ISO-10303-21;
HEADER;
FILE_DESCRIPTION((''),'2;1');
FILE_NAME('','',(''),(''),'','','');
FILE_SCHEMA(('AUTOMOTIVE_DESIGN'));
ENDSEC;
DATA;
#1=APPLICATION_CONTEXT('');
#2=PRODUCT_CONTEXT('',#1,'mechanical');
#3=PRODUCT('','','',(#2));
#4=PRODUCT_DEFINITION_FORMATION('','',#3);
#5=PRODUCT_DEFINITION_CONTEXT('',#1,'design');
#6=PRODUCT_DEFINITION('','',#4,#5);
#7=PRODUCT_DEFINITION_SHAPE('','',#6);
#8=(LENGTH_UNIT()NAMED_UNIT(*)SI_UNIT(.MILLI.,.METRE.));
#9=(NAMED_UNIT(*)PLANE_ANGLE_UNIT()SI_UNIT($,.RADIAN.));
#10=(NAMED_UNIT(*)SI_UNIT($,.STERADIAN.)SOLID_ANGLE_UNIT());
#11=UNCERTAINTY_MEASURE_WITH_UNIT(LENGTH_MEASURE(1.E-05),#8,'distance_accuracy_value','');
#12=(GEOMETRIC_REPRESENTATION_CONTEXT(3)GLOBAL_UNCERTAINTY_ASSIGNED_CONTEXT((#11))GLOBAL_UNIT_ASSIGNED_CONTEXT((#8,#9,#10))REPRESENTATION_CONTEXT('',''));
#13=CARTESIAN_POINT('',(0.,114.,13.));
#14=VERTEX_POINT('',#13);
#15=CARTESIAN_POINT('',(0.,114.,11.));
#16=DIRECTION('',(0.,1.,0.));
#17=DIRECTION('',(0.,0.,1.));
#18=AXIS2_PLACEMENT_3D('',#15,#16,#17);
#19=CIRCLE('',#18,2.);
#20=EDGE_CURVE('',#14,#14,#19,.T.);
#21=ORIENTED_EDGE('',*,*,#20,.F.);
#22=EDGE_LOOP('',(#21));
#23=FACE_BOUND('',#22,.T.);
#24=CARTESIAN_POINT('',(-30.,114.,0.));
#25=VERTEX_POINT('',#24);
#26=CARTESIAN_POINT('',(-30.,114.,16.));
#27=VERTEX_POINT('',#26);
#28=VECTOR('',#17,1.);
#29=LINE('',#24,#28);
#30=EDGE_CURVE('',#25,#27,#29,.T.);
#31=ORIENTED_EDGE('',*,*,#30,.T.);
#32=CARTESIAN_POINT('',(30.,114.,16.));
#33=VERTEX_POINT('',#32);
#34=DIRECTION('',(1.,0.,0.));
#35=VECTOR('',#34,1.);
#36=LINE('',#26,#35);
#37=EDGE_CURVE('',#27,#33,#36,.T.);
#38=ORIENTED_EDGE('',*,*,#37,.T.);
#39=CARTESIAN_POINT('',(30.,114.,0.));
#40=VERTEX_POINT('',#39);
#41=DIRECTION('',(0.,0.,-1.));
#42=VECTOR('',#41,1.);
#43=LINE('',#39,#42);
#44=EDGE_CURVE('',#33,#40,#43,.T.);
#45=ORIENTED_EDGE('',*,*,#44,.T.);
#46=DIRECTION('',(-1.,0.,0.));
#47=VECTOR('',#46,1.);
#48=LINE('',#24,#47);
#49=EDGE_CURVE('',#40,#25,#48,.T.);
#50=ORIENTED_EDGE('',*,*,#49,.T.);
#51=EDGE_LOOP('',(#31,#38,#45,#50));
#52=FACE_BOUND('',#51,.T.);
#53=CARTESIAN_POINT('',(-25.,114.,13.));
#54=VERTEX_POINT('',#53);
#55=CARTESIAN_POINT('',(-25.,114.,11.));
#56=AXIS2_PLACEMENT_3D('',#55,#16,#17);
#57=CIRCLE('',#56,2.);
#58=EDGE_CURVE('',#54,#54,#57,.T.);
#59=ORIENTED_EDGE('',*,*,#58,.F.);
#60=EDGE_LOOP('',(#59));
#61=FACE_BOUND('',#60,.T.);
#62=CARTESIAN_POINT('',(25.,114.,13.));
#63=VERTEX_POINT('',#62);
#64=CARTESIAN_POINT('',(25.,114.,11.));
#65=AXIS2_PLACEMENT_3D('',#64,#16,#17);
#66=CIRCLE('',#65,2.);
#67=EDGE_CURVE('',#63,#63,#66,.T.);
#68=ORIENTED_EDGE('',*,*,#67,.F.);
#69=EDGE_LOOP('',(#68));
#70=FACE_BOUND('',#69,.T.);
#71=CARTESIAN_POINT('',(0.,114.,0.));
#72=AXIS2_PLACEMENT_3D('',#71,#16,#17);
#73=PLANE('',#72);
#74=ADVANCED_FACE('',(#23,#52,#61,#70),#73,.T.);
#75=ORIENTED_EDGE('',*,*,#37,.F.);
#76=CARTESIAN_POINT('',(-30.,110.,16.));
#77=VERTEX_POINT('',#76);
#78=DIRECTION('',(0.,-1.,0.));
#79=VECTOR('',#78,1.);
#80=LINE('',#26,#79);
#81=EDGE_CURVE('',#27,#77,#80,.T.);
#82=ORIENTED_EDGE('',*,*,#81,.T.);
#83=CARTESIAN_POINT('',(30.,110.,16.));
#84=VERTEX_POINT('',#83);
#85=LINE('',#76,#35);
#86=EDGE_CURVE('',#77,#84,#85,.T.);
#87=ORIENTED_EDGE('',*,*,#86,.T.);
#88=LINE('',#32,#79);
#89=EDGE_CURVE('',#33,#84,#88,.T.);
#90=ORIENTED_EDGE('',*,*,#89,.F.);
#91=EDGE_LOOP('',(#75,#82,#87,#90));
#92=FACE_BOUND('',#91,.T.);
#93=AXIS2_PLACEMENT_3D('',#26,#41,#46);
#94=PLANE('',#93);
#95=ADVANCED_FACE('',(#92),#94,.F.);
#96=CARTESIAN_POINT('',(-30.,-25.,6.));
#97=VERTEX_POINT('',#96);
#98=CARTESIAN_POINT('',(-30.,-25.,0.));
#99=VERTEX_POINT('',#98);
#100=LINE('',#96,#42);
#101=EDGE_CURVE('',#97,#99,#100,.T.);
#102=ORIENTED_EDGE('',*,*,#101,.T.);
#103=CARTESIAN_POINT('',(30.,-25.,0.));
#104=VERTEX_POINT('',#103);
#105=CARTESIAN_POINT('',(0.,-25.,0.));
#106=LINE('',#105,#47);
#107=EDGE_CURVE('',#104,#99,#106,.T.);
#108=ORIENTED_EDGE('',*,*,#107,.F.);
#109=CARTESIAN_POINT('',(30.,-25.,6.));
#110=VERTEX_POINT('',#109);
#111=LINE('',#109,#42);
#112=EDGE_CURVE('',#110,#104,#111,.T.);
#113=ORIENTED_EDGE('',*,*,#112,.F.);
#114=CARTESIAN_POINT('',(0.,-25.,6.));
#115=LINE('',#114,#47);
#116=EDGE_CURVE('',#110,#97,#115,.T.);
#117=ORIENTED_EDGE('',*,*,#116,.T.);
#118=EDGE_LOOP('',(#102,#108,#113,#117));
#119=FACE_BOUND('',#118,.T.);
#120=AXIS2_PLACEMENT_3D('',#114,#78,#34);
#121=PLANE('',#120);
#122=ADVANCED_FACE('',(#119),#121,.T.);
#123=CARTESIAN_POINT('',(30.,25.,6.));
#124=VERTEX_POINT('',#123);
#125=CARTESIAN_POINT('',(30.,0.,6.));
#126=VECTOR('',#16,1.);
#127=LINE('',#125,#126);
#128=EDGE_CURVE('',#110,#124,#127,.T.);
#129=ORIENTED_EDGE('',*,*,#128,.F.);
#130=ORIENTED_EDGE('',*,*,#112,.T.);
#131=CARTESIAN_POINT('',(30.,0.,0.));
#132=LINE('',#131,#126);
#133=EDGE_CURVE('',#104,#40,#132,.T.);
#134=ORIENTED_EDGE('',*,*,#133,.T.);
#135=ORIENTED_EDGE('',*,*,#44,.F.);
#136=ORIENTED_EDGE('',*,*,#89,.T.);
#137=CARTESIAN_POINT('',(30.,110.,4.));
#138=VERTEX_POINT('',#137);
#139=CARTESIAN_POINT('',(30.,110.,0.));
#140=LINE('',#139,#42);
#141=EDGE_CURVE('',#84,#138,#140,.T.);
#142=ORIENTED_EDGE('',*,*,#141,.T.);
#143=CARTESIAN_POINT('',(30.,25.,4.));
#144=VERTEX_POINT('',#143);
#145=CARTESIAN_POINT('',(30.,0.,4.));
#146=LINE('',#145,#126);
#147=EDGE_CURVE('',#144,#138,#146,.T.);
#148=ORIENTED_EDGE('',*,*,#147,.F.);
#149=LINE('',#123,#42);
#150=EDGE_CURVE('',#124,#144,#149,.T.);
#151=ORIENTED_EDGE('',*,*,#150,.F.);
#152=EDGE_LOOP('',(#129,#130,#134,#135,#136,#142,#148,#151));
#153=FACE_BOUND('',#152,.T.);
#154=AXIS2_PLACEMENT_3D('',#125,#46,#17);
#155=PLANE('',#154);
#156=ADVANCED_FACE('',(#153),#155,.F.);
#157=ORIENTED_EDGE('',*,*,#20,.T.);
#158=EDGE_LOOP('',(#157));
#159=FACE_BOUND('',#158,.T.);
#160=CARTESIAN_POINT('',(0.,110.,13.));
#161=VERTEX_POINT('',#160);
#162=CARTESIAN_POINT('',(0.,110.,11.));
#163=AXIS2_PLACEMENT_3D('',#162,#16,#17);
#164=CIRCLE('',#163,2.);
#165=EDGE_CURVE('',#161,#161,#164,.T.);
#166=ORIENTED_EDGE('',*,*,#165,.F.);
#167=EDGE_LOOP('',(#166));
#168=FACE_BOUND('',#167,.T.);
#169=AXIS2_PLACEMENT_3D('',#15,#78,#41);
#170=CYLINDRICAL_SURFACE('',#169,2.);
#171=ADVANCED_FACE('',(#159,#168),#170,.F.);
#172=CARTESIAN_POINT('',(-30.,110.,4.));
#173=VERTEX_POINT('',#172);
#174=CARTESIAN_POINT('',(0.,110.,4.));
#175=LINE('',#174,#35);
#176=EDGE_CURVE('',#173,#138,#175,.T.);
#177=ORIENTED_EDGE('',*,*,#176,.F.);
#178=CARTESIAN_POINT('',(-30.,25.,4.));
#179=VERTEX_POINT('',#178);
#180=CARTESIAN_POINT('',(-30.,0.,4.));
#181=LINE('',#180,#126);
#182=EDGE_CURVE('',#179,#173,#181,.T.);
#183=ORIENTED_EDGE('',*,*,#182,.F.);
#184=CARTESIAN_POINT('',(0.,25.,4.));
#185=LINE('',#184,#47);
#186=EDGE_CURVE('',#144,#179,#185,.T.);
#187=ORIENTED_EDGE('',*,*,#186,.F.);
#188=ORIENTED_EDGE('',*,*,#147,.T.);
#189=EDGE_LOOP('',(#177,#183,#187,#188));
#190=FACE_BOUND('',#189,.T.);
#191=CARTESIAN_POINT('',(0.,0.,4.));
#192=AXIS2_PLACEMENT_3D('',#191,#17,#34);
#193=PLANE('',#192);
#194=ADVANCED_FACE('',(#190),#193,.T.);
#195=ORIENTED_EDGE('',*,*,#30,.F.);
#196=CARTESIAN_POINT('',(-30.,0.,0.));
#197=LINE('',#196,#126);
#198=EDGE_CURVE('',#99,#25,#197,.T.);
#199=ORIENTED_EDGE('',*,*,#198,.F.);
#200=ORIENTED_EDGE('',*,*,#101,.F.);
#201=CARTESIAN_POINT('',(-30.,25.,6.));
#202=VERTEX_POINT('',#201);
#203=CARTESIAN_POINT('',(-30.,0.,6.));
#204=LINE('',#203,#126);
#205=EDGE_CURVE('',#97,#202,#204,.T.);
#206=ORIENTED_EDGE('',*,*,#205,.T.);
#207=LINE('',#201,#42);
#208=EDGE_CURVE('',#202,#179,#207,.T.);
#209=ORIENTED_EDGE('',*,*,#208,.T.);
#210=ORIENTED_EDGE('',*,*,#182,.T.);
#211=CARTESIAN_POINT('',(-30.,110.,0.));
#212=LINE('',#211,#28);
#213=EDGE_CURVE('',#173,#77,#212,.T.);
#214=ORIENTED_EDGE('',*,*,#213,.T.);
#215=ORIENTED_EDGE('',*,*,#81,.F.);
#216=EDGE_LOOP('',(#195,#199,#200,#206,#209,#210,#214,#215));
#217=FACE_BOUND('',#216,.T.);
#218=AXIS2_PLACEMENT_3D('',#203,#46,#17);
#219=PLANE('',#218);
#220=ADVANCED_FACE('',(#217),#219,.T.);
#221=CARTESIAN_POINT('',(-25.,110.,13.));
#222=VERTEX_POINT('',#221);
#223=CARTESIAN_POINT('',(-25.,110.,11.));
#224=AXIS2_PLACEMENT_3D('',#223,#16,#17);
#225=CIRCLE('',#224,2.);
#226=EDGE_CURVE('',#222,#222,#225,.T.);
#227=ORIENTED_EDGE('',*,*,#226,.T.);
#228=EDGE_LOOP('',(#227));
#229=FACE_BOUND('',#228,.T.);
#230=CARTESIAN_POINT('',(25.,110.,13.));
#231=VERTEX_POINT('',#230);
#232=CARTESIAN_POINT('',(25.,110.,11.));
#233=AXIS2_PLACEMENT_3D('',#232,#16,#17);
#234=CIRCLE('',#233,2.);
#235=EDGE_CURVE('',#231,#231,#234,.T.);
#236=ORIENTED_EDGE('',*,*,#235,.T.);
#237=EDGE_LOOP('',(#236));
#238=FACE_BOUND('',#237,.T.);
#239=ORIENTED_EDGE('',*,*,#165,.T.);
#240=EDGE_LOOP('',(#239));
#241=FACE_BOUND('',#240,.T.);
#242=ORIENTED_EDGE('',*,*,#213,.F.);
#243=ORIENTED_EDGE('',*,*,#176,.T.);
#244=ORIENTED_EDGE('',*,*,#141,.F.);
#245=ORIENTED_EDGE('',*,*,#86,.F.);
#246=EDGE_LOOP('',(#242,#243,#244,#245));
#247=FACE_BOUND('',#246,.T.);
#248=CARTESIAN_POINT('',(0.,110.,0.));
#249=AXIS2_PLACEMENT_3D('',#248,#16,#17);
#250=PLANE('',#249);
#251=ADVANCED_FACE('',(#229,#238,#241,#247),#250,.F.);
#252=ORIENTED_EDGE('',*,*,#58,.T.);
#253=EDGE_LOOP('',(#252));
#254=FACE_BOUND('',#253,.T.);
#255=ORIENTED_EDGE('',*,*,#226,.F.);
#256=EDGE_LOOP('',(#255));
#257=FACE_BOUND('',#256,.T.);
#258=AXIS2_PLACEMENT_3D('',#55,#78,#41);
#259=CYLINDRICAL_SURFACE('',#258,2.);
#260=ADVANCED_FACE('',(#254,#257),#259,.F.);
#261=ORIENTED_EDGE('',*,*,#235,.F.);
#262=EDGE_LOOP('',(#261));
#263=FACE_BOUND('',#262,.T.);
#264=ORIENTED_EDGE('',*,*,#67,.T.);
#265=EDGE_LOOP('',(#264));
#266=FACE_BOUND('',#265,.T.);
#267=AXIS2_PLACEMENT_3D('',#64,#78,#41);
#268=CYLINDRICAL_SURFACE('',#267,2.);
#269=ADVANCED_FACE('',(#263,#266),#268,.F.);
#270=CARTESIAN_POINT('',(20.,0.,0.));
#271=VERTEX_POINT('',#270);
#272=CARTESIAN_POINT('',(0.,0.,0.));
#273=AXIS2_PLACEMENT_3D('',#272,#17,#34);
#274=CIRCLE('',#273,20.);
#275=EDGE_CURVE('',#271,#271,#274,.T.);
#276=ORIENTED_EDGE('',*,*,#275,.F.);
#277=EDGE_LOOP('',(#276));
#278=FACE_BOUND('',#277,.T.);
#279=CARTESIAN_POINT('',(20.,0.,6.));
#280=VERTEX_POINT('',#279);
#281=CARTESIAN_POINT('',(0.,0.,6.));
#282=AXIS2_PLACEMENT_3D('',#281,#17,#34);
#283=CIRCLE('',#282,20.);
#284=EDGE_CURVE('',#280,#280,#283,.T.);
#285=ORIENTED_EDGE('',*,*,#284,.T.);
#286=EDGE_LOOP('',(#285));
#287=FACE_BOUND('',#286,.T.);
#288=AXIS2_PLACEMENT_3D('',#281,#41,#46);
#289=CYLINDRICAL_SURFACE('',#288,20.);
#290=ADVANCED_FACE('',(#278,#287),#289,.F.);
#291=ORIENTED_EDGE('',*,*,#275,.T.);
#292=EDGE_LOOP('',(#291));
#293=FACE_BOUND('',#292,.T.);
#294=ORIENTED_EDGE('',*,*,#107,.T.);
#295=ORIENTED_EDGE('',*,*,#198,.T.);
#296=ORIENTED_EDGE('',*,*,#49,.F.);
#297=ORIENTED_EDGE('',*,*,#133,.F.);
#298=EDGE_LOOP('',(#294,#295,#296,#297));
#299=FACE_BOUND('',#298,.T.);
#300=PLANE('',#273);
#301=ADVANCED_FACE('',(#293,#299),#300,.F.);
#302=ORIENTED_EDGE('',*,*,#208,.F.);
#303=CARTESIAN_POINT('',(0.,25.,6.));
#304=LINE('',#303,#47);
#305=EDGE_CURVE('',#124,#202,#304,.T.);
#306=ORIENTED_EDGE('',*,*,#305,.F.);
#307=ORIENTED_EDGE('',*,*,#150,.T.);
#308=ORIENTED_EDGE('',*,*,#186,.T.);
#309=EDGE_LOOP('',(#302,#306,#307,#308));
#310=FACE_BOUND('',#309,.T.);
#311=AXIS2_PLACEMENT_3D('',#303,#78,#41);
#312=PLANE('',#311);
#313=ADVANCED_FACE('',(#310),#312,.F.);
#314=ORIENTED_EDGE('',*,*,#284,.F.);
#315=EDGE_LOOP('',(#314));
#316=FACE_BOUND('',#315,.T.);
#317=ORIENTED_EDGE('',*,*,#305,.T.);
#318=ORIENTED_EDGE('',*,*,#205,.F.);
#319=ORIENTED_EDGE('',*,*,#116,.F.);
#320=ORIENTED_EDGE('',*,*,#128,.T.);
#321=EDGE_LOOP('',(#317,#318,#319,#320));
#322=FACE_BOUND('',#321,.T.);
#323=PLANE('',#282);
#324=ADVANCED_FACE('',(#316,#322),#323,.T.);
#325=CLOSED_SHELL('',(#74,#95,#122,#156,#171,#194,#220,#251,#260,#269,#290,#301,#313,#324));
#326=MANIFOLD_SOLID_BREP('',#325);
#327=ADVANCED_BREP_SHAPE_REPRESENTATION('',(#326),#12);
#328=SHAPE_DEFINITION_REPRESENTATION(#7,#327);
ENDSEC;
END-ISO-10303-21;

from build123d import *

# Parameters (mm, degrees)
SKETCH1_W           = 60
SKETCH1_H           = 50
SKETCH1_R           = 20
BOSS_EXTRUDE1_DEPTH = 6
SKETCH1_3_W         = 60
SKETCH1_3_H         = 85
BOSS_EXTRUDE2_DEPTH = 4
SKETCH4_W           = 60
SKETCH4_H           = 16
SKETCH4_R           = 2
BOSS_EXTRUDE3_DEPTH = 4


with BuildPart() as part:
    # Sketch1 → Boss-Extrude1 (new body)
    with BuildSketch(Plane.XY):
        Rectangle(SKETCH1_W, SKETCH1_H)
        Circle(SKETCH1_R, mode=Mode.SUBTRACT)
    extrude(amount=BOSS_EXTRUDE1_DEPTH)

    # Sketch1<3> → Boss-Extrude2 (add)
    with BuildSketch(Plane.XY):
        with Locations((0, 67.5)):
            Rectangle(SKETCH1_3_W, SKETCH1_3_H)
    extrude(amount=BOSS_EXTRUDE2_DEPTH)

    # Sketch4 → Boss-Extrude3 (add)
    with BuildSketch(Plane(origin=(0, 110, 0), x_dir=(1, 0, 0), z_dir=(0, 1, 0))):
        with Locations((0, -8)):
            Rectangle(SKETCH4_W, SKETCH4_H)
        with Locations((-25, -11)):
            Circle(SKETCH4_R, mode=Mode.SUBTRACT)
        with Locations((0, -11)):
            Circle(SKETCH4_R, mode=Mode.SUBTRACT)
        with Locations((25, -11)):
            Circle(SKETCH4_R, mode=Mode.SUBTRACT)
    extrude(amount=BOSS_EXTRUDE3_DEPTH)


solid = part.part
